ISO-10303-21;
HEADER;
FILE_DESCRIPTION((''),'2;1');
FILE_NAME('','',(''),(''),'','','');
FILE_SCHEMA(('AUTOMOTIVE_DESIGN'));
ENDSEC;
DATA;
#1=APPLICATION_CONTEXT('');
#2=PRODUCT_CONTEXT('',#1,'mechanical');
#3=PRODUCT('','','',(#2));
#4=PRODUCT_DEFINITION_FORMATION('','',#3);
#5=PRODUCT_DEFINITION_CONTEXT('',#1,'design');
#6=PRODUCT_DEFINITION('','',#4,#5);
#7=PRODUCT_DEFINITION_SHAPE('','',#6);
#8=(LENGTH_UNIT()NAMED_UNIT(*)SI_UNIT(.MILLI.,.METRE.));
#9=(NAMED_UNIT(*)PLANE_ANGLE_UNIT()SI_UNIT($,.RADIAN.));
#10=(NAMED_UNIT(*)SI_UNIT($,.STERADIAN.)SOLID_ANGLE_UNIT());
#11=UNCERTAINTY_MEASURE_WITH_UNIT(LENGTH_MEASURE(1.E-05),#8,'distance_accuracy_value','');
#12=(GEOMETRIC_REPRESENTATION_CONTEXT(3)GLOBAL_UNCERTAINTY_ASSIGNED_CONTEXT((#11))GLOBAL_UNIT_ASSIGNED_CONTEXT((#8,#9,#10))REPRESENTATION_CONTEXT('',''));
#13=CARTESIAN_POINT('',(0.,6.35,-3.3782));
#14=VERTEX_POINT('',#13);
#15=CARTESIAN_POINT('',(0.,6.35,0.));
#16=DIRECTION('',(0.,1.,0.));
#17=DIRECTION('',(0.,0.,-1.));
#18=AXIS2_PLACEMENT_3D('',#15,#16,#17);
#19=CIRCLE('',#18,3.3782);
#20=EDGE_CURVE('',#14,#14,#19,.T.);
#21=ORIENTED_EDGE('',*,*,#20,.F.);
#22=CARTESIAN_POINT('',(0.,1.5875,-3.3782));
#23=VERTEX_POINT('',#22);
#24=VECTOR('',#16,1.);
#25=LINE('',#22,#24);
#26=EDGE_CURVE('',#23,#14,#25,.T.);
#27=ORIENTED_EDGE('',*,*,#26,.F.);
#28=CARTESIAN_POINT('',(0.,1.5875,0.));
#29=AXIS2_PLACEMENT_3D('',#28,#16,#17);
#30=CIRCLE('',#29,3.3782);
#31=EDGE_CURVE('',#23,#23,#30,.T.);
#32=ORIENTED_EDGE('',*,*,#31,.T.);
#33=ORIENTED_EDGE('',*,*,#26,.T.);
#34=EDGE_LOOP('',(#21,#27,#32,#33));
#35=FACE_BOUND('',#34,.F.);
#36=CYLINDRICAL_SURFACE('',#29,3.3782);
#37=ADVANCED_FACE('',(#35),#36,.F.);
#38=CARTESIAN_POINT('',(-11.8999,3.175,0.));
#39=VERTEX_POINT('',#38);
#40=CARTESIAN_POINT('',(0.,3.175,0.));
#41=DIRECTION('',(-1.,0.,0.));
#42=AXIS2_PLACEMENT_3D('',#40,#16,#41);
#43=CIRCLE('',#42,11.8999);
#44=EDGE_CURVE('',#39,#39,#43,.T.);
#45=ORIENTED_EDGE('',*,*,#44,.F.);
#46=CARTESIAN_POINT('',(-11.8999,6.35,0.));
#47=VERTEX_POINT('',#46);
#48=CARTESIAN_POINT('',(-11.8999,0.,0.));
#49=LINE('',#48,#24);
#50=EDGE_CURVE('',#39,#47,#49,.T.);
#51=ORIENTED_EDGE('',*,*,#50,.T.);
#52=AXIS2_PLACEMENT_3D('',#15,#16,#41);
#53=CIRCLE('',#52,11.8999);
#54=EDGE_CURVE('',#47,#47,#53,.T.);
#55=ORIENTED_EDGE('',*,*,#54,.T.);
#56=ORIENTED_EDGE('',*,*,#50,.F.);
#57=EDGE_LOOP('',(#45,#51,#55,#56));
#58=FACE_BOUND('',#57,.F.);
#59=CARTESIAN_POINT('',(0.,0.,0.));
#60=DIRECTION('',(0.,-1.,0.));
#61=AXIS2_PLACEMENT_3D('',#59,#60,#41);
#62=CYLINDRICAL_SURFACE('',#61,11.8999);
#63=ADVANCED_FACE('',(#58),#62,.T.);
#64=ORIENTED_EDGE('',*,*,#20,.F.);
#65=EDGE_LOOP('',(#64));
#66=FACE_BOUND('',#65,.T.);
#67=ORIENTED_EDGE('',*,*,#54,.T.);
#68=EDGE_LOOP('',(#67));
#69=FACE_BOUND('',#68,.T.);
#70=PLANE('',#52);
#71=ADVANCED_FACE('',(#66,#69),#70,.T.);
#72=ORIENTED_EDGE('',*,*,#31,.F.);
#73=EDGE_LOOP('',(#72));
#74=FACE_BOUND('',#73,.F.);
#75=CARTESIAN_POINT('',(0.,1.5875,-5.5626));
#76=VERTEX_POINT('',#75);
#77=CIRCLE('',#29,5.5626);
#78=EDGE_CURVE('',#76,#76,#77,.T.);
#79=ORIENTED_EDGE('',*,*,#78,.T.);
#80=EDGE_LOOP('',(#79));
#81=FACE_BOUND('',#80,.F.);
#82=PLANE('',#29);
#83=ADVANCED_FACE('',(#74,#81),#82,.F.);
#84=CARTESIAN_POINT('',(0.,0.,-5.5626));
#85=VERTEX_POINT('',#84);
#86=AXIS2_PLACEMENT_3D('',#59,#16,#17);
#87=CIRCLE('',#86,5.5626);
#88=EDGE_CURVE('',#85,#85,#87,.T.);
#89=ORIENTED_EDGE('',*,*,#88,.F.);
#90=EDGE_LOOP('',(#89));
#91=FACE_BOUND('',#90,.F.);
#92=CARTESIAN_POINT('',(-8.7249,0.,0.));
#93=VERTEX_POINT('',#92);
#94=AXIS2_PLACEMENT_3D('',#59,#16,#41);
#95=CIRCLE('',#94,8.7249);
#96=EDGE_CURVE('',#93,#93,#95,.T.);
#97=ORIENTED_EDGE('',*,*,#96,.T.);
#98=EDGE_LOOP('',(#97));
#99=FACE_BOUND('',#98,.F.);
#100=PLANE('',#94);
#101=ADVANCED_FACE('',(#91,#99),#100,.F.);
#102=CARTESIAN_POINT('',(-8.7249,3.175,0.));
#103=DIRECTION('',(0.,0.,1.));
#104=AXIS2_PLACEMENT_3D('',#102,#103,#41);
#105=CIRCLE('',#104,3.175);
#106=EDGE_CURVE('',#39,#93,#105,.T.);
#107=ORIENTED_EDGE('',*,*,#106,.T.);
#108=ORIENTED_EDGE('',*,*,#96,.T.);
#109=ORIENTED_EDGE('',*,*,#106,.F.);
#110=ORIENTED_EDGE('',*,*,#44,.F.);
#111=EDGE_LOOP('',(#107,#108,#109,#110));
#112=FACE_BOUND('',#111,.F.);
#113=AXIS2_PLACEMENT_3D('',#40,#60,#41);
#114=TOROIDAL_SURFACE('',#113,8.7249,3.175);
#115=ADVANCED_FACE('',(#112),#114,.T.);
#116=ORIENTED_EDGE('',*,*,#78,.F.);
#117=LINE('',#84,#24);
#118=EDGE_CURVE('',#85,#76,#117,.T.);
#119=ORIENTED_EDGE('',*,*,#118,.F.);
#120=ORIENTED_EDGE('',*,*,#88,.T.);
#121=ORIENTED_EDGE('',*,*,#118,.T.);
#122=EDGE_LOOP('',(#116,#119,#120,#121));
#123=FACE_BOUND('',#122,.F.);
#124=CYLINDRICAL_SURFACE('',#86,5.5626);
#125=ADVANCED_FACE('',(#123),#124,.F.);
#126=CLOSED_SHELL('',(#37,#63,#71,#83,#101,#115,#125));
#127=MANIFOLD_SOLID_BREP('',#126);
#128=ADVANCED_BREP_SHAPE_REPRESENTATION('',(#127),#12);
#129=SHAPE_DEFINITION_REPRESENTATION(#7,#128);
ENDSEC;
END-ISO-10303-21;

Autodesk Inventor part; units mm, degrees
ref_plane "YZ Plane" through (0, 0, 0) normal (1, 0, 0) x (0, 1, 0)
ref_plane "XZ Plane" through (0, 0, 0) normal (0, 1, 0) x (-1, 0, 0)
ref_plane "XY Plane" through (0, 0, 0) normal (0, 0, 1) x (1, 0, 0)
sketch "Sketch1" plane through (0, 0, 0) normal (0, 1, 0) x (-1, 0, 0)
  circle A0 centre (0, 0) radius 11.8999
  dimension "d0" = 23.7998
extrude "Extrusion1" add sketch "Sketch1" along normal blind 6.35
hole "Hole1" at (0, 0, 0) direction (0, 1, 0) diameter 6.7564 end through all counterbore diameter 11.1252 counterbore depth 1.5875 clearance for "Socket Head Cap Screw" size "1/4" standard "Ansi Unified Screw Threads"
fillet "Fillet1" radius 3.175 1 edges at (11.8999, 0, 0)
properties part number "RoundRetainingClip"
